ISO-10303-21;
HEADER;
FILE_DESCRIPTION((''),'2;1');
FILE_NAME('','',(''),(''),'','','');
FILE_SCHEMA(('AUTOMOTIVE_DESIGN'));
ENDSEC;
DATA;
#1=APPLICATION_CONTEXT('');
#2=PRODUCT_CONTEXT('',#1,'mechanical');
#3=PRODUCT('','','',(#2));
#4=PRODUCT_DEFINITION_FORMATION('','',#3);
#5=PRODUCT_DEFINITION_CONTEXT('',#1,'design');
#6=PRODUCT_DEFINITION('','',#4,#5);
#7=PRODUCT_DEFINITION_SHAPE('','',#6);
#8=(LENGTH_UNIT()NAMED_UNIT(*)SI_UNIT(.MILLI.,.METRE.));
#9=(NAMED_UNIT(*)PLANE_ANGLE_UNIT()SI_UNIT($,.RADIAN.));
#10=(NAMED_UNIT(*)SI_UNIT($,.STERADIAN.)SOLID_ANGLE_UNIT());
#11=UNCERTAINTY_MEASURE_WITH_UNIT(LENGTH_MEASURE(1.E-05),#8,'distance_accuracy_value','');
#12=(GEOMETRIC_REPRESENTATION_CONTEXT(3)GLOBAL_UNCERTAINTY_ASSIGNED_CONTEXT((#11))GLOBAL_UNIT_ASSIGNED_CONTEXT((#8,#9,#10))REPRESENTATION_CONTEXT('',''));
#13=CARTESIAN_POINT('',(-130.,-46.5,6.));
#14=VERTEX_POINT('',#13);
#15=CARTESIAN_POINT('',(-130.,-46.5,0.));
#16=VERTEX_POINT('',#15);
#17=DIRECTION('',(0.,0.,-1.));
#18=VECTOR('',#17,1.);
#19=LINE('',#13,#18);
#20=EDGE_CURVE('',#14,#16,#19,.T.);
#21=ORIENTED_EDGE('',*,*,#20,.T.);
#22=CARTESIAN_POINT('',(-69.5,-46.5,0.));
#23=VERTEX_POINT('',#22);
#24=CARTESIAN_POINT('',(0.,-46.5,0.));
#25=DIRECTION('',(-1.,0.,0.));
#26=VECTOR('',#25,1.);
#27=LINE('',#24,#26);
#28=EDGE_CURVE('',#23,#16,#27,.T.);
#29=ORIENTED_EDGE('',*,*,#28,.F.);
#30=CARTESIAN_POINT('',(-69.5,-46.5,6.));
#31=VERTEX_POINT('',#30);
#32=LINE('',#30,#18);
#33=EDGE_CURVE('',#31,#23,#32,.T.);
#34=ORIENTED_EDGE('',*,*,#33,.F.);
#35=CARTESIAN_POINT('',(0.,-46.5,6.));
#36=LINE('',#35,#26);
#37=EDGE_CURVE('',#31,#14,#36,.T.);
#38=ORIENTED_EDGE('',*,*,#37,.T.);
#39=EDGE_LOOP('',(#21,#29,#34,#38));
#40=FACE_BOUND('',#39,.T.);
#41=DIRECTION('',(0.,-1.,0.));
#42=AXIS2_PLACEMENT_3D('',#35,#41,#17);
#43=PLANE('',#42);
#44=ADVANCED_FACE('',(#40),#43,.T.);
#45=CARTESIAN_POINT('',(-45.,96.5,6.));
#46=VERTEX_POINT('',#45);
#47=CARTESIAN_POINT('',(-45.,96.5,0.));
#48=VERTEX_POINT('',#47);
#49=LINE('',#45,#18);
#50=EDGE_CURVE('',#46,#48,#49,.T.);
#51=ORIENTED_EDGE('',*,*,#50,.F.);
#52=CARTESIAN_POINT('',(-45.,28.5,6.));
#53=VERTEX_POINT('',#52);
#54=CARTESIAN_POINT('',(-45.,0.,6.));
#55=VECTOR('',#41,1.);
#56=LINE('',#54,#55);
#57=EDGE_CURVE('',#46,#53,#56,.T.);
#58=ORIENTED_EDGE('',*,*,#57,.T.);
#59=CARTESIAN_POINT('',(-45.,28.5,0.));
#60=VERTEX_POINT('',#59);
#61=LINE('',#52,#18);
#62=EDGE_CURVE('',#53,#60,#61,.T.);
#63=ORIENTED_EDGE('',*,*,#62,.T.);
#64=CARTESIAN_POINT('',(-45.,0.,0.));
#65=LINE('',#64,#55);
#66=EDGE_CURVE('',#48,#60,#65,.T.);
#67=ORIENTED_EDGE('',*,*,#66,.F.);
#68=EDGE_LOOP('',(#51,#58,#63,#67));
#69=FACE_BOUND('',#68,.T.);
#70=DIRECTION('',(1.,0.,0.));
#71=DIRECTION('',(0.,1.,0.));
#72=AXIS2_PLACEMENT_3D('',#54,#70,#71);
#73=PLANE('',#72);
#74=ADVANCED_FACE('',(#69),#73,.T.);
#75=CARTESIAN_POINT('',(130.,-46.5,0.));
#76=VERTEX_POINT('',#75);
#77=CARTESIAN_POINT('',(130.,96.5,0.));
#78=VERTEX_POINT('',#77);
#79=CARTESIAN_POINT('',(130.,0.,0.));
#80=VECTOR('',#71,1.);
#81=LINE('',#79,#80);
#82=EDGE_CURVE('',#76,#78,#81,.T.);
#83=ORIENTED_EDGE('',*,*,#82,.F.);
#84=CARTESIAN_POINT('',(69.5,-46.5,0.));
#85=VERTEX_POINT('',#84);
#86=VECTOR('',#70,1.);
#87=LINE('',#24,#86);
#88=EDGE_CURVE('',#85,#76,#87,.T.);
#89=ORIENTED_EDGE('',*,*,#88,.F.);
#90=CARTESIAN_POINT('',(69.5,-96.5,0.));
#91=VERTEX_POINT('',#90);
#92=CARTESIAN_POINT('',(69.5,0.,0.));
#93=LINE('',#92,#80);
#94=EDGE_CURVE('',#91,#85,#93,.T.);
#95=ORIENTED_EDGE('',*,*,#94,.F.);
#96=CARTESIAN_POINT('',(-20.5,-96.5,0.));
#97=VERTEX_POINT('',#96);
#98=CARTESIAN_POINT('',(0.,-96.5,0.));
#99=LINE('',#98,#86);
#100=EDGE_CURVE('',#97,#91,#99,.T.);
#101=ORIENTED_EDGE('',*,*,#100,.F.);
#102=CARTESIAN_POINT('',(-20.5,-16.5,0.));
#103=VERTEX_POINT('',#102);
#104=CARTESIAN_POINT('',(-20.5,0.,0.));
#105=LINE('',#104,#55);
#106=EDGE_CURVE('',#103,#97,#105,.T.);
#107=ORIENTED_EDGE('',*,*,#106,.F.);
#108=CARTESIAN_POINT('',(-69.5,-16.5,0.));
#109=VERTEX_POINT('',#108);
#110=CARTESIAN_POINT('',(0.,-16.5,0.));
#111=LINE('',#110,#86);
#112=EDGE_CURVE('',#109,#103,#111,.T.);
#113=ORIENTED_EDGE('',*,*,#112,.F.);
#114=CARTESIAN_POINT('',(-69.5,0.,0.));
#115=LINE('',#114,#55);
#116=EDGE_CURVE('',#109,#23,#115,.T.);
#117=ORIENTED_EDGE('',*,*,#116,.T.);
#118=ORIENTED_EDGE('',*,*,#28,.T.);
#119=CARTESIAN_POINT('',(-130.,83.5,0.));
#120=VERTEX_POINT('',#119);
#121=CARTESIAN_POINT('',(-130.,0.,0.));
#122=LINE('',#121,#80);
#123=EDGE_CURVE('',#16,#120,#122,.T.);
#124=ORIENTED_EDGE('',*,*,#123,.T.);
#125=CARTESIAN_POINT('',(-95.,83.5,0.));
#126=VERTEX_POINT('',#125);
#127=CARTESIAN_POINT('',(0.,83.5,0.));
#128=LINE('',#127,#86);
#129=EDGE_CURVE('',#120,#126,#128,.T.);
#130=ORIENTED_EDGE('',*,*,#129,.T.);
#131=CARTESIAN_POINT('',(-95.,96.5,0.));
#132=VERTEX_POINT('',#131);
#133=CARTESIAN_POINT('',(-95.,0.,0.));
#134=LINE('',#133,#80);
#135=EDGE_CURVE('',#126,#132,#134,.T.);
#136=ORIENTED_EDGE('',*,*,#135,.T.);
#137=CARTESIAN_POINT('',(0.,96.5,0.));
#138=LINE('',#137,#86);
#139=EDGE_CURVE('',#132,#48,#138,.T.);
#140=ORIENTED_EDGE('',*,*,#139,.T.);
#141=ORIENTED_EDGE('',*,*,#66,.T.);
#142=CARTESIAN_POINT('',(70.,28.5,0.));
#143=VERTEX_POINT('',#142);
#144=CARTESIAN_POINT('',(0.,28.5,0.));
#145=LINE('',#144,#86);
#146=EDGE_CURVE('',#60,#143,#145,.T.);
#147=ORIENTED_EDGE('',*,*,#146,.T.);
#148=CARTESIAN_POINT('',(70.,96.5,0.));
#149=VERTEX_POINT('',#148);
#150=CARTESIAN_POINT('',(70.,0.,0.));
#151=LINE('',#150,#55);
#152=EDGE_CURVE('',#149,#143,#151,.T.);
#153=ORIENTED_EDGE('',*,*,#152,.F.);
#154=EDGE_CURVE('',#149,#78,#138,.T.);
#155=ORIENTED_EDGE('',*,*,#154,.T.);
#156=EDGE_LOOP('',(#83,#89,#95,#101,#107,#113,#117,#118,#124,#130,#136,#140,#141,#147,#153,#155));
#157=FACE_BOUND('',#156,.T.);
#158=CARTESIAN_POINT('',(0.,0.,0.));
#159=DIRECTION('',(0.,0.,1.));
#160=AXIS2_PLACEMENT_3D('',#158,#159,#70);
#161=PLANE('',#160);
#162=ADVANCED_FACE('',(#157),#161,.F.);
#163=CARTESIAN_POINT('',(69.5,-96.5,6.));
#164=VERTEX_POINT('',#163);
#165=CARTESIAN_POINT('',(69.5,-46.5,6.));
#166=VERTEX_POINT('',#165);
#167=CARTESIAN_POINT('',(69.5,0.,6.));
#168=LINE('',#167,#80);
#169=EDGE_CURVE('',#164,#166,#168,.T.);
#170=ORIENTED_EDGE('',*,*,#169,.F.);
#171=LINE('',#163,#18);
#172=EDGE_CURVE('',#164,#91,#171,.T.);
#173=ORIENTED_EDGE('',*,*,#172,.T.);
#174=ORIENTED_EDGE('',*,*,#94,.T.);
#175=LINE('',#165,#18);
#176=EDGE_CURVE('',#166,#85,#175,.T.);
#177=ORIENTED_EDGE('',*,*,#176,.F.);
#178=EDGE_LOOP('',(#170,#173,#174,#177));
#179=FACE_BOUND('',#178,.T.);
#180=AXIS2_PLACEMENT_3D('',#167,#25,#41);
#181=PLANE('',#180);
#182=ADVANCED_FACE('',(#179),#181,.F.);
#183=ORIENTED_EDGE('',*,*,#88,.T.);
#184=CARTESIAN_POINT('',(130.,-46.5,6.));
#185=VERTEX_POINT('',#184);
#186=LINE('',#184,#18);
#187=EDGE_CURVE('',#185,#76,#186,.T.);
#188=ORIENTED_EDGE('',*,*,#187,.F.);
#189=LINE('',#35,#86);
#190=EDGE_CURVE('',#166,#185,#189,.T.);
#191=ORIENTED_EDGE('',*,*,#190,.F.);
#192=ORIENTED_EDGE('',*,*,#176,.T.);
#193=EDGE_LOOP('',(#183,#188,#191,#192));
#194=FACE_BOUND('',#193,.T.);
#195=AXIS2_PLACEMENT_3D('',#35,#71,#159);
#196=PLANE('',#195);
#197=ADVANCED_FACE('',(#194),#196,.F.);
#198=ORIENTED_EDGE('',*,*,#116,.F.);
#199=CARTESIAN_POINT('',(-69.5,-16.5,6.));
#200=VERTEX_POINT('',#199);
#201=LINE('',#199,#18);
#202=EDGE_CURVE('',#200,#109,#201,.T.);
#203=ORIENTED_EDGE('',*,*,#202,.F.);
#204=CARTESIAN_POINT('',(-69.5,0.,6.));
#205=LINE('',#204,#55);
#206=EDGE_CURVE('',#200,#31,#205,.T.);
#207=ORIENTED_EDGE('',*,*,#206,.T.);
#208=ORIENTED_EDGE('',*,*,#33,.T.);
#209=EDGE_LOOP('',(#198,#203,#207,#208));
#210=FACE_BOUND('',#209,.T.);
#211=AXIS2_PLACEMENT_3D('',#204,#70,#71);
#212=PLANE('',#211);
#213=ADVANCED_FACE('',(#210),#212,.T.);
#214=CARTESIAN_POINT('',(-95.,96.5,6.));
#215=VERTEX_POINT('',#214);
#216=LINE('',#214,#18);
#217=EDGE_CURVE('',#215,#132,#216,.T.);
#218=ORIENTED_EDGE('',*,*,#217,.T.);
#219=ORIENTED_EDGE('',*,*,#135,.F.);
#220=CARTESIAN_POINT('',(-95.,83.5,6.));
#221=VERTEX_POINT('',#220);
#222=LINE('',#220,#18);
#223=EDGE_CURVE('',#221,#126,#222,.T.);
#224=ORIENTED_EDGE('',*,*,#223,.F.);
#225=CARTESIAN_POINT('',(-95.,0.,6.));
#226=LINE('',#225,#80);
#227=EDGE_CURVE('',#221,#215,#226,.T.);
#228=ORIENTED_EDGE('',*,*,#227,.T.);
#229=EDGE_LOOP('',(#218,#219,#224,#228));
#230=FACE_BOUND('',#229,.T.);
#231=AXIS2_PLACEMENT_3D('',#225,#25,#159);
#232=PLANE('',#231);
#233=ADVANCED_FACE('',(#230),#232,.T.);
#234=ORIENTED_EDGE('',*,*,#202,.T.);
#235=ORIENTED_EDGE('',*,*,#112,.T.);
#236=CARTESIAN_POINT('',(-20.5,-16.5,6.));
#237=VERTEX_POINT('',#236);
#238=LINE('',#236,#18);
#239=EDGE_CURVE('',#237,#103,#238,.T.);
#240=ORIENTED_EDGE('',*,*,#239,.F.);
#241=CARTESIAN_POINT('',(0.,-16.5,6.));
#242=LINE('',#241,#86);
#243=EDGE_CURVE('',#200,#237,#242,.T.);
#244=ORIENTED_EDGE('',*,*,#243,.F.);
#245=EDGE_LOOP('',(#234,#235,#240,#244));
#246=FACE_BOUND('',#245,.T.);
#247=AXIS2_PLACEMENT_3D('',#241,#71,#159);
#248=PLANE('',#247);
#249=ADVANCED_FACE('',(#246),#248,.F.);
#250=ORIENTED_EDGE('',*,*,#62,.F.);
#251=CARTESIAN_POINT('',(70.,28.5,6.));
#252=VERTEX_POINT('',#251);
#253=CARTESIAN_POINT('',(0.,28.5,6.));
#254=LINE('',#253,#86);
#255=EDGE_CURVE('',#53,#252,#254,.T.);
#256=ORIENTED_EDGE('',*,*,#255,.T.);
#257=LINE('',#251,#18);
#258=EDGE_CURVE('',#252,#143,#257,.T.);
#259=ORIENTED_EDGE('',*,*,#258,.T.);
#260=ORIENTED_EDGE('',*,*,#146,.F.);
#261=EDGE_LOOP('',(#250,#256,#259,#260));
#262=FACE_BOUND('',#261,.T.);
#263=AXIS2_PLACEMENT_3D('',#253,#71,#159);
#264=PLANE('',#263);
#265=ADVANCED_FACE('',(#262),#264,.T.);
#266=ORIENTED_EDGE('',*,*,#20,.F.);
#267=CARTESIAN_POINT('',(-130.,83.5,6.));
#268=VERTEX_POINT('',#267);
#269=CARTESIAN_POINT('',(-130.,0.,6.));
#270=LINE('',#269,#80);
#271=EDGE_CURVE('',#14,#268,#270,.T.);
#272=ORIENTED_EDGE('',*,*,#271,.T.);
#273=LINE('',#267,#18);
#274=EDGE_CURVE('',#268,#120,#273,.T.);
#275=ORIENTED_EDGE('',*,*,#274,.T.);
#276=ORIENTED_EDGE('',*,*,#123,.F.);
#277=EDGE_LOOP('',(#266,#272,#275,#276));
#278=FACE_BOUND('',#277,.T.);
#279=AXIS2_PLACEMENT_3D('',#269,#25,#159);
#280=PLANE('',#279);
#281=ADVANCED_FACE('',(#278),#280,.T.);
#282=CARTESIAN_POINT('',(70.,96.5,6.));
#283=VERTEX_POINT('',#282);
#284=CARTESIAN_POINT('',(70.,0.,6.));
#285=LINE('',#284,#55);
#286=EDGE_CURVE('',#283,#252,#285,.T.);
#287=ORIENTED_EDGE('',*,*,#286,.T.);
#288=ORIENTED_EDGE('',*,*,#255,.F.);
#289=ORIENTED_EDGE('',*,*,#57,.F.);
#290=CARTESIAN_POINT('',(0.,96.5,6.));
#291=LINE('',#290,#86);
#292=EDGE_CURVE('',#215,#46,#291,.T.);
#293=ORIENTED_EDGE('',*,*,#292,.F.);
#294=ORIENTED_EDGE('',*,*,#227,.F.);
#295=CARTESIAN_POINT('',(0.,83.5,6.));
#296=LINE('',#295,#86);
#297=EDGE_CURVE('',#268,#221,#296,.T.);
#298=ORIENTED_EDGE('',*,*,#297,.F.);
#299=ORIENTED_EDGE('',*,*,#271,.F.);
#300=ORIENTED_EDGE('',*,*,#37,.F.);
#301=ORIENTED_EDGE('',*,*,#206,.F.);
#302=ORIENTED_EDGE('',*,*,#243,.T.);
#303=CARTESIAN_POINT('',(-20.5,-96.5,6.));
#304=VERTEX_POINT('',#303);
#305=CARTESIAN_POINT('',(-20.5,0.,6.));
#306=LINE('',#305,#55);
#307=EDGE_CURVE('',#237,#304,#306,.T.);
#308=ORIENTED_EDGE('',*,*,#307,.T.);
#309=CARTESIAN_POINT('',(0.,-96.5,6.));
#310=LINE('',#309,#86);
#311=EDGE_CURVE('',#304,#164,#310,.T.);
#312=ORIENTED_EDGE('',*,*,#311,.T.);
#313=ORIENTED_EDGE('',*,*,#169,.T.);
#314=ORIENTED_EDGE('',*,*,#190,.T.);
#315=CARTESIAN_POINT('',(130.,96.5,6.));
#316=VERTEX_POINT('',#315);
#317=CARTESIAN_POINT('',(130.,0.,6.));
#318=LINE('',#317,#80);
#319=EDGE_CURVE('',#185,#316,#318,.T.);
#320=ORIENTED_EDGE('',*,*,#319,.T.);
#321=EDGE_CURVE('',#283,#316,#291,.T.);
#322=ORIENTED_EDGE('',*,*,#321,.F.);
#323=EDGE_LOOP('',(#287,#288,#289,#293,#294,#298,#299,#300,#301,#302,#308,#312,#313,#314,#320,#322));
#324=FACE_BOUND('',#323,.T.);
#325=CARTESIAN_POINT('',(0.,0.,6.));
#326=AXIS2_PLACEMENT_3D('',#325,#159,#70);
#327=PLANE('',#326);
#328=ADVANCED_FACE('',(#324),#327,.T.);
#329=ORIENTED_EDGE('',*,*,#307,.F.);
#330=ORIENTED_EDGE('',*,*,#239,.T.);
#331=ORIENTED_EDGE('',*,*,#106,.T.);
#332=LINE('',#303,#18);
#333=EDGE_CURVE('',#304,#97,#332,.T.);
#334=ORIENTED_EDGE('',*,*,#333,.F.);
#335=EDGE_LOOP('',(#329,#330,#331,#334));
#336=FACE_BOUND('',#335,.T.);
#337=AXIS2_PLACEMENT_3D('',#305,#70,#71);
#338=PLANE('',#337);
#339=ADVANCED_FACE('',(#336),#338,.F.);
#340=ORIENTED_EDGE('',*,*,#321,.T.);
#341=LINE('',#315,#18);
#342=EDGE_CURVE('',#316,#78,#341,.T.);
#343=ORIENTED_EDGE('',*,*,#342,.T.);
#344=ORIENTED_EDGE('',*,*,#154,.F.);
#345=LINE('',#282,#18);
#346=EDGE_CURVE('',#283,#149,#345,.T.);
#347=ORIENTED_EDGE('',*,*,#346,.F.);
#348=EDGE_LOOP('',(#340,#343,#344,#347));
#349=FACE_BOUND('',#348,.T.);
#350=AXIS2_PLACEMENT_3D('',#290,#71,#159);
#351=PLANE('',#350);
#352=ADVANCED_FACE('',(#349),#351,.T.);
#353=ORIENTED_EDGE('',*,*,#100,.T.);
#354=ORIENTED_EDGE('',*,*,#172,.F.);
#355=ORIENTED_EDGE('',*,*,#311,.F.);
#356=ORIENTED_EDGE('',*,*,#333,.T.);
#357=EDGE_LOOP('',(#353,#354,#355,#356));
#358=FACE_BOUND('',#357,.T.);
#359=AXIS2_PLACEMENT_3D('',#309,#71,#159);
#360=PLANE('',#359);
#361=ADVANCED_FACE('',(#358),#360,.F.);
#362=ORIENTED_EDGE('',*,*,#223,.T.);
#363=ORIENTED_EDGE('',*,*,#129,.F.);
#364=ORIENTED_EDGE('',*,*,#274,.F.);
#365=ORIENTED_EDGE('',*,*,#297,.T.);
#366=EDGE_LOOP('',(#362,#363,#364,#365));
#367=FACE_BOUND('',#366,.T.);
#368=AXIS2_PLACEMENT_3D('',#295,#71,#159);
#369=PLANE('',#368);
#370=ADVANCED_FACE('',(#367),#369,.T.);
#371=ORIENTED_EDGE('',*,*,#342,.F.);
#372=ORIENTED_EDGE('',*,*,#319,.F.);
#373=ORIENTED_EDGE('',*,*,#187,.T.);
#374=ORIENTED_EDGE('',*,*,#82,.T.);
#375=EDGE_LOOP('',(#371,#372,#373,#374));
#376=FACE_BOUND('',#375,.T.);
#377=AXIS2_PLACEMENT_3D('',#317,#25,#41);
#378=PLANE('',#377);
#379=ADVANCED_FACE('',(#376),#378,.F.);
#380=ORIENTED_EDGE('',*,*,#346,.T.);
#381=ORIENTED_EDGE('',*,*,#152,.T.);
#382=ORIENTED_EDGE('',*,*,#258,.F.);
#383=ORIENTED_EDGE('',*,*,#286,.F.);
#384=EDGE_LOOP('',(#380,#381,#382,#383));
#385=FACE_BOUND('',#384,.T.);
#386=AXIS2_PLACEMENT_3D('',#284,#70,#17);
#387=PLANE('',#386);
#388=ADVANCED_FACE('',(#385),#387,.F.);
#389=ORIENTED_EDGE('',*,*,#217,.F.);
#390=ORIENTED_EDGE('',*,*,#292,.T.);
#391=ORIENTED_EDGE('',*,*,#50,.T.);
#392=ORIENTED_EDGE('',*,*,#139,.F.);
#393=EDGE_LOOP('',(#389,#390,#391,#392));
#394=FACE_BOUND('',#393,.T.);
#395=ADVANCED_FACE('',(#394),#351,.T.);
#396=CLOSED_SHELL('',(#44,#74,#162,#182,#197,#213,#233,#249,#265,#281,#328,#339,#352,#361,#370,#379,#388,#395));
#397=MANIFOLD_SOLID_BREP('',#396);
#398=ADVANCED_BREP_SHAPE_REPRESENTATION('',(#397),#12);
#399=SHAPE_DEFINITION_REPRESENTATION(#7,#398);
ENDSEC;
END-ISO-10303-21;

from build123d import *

# Parameters (mm, degrees)
RESSALTO_EXTRUS_O1_DEPTH = 6


with BuildPart() as part:
    # Esboço1 → Ressalto-extrusão1 (new body)
    with BuildSketch(Plane.XY):
        Polygon((-45, 28.5), (-45, 96.5), (-95, 96.5), (-95, 83.5), (-130, 83.5), (-130, -46.5), (-69.5, -46.5), (-69.5, -16.5), (-20.5, -16.5), (-20.5, -96.5), (69.5, -96.5), (69.5, -46.5), (130, -46.5), (130, 96.5), (70, 96.5), (70, 28.5), align=None)
    extrude(amount=RESSALTO_EXTRUS_O1_DEPTH)


solid = part.part
